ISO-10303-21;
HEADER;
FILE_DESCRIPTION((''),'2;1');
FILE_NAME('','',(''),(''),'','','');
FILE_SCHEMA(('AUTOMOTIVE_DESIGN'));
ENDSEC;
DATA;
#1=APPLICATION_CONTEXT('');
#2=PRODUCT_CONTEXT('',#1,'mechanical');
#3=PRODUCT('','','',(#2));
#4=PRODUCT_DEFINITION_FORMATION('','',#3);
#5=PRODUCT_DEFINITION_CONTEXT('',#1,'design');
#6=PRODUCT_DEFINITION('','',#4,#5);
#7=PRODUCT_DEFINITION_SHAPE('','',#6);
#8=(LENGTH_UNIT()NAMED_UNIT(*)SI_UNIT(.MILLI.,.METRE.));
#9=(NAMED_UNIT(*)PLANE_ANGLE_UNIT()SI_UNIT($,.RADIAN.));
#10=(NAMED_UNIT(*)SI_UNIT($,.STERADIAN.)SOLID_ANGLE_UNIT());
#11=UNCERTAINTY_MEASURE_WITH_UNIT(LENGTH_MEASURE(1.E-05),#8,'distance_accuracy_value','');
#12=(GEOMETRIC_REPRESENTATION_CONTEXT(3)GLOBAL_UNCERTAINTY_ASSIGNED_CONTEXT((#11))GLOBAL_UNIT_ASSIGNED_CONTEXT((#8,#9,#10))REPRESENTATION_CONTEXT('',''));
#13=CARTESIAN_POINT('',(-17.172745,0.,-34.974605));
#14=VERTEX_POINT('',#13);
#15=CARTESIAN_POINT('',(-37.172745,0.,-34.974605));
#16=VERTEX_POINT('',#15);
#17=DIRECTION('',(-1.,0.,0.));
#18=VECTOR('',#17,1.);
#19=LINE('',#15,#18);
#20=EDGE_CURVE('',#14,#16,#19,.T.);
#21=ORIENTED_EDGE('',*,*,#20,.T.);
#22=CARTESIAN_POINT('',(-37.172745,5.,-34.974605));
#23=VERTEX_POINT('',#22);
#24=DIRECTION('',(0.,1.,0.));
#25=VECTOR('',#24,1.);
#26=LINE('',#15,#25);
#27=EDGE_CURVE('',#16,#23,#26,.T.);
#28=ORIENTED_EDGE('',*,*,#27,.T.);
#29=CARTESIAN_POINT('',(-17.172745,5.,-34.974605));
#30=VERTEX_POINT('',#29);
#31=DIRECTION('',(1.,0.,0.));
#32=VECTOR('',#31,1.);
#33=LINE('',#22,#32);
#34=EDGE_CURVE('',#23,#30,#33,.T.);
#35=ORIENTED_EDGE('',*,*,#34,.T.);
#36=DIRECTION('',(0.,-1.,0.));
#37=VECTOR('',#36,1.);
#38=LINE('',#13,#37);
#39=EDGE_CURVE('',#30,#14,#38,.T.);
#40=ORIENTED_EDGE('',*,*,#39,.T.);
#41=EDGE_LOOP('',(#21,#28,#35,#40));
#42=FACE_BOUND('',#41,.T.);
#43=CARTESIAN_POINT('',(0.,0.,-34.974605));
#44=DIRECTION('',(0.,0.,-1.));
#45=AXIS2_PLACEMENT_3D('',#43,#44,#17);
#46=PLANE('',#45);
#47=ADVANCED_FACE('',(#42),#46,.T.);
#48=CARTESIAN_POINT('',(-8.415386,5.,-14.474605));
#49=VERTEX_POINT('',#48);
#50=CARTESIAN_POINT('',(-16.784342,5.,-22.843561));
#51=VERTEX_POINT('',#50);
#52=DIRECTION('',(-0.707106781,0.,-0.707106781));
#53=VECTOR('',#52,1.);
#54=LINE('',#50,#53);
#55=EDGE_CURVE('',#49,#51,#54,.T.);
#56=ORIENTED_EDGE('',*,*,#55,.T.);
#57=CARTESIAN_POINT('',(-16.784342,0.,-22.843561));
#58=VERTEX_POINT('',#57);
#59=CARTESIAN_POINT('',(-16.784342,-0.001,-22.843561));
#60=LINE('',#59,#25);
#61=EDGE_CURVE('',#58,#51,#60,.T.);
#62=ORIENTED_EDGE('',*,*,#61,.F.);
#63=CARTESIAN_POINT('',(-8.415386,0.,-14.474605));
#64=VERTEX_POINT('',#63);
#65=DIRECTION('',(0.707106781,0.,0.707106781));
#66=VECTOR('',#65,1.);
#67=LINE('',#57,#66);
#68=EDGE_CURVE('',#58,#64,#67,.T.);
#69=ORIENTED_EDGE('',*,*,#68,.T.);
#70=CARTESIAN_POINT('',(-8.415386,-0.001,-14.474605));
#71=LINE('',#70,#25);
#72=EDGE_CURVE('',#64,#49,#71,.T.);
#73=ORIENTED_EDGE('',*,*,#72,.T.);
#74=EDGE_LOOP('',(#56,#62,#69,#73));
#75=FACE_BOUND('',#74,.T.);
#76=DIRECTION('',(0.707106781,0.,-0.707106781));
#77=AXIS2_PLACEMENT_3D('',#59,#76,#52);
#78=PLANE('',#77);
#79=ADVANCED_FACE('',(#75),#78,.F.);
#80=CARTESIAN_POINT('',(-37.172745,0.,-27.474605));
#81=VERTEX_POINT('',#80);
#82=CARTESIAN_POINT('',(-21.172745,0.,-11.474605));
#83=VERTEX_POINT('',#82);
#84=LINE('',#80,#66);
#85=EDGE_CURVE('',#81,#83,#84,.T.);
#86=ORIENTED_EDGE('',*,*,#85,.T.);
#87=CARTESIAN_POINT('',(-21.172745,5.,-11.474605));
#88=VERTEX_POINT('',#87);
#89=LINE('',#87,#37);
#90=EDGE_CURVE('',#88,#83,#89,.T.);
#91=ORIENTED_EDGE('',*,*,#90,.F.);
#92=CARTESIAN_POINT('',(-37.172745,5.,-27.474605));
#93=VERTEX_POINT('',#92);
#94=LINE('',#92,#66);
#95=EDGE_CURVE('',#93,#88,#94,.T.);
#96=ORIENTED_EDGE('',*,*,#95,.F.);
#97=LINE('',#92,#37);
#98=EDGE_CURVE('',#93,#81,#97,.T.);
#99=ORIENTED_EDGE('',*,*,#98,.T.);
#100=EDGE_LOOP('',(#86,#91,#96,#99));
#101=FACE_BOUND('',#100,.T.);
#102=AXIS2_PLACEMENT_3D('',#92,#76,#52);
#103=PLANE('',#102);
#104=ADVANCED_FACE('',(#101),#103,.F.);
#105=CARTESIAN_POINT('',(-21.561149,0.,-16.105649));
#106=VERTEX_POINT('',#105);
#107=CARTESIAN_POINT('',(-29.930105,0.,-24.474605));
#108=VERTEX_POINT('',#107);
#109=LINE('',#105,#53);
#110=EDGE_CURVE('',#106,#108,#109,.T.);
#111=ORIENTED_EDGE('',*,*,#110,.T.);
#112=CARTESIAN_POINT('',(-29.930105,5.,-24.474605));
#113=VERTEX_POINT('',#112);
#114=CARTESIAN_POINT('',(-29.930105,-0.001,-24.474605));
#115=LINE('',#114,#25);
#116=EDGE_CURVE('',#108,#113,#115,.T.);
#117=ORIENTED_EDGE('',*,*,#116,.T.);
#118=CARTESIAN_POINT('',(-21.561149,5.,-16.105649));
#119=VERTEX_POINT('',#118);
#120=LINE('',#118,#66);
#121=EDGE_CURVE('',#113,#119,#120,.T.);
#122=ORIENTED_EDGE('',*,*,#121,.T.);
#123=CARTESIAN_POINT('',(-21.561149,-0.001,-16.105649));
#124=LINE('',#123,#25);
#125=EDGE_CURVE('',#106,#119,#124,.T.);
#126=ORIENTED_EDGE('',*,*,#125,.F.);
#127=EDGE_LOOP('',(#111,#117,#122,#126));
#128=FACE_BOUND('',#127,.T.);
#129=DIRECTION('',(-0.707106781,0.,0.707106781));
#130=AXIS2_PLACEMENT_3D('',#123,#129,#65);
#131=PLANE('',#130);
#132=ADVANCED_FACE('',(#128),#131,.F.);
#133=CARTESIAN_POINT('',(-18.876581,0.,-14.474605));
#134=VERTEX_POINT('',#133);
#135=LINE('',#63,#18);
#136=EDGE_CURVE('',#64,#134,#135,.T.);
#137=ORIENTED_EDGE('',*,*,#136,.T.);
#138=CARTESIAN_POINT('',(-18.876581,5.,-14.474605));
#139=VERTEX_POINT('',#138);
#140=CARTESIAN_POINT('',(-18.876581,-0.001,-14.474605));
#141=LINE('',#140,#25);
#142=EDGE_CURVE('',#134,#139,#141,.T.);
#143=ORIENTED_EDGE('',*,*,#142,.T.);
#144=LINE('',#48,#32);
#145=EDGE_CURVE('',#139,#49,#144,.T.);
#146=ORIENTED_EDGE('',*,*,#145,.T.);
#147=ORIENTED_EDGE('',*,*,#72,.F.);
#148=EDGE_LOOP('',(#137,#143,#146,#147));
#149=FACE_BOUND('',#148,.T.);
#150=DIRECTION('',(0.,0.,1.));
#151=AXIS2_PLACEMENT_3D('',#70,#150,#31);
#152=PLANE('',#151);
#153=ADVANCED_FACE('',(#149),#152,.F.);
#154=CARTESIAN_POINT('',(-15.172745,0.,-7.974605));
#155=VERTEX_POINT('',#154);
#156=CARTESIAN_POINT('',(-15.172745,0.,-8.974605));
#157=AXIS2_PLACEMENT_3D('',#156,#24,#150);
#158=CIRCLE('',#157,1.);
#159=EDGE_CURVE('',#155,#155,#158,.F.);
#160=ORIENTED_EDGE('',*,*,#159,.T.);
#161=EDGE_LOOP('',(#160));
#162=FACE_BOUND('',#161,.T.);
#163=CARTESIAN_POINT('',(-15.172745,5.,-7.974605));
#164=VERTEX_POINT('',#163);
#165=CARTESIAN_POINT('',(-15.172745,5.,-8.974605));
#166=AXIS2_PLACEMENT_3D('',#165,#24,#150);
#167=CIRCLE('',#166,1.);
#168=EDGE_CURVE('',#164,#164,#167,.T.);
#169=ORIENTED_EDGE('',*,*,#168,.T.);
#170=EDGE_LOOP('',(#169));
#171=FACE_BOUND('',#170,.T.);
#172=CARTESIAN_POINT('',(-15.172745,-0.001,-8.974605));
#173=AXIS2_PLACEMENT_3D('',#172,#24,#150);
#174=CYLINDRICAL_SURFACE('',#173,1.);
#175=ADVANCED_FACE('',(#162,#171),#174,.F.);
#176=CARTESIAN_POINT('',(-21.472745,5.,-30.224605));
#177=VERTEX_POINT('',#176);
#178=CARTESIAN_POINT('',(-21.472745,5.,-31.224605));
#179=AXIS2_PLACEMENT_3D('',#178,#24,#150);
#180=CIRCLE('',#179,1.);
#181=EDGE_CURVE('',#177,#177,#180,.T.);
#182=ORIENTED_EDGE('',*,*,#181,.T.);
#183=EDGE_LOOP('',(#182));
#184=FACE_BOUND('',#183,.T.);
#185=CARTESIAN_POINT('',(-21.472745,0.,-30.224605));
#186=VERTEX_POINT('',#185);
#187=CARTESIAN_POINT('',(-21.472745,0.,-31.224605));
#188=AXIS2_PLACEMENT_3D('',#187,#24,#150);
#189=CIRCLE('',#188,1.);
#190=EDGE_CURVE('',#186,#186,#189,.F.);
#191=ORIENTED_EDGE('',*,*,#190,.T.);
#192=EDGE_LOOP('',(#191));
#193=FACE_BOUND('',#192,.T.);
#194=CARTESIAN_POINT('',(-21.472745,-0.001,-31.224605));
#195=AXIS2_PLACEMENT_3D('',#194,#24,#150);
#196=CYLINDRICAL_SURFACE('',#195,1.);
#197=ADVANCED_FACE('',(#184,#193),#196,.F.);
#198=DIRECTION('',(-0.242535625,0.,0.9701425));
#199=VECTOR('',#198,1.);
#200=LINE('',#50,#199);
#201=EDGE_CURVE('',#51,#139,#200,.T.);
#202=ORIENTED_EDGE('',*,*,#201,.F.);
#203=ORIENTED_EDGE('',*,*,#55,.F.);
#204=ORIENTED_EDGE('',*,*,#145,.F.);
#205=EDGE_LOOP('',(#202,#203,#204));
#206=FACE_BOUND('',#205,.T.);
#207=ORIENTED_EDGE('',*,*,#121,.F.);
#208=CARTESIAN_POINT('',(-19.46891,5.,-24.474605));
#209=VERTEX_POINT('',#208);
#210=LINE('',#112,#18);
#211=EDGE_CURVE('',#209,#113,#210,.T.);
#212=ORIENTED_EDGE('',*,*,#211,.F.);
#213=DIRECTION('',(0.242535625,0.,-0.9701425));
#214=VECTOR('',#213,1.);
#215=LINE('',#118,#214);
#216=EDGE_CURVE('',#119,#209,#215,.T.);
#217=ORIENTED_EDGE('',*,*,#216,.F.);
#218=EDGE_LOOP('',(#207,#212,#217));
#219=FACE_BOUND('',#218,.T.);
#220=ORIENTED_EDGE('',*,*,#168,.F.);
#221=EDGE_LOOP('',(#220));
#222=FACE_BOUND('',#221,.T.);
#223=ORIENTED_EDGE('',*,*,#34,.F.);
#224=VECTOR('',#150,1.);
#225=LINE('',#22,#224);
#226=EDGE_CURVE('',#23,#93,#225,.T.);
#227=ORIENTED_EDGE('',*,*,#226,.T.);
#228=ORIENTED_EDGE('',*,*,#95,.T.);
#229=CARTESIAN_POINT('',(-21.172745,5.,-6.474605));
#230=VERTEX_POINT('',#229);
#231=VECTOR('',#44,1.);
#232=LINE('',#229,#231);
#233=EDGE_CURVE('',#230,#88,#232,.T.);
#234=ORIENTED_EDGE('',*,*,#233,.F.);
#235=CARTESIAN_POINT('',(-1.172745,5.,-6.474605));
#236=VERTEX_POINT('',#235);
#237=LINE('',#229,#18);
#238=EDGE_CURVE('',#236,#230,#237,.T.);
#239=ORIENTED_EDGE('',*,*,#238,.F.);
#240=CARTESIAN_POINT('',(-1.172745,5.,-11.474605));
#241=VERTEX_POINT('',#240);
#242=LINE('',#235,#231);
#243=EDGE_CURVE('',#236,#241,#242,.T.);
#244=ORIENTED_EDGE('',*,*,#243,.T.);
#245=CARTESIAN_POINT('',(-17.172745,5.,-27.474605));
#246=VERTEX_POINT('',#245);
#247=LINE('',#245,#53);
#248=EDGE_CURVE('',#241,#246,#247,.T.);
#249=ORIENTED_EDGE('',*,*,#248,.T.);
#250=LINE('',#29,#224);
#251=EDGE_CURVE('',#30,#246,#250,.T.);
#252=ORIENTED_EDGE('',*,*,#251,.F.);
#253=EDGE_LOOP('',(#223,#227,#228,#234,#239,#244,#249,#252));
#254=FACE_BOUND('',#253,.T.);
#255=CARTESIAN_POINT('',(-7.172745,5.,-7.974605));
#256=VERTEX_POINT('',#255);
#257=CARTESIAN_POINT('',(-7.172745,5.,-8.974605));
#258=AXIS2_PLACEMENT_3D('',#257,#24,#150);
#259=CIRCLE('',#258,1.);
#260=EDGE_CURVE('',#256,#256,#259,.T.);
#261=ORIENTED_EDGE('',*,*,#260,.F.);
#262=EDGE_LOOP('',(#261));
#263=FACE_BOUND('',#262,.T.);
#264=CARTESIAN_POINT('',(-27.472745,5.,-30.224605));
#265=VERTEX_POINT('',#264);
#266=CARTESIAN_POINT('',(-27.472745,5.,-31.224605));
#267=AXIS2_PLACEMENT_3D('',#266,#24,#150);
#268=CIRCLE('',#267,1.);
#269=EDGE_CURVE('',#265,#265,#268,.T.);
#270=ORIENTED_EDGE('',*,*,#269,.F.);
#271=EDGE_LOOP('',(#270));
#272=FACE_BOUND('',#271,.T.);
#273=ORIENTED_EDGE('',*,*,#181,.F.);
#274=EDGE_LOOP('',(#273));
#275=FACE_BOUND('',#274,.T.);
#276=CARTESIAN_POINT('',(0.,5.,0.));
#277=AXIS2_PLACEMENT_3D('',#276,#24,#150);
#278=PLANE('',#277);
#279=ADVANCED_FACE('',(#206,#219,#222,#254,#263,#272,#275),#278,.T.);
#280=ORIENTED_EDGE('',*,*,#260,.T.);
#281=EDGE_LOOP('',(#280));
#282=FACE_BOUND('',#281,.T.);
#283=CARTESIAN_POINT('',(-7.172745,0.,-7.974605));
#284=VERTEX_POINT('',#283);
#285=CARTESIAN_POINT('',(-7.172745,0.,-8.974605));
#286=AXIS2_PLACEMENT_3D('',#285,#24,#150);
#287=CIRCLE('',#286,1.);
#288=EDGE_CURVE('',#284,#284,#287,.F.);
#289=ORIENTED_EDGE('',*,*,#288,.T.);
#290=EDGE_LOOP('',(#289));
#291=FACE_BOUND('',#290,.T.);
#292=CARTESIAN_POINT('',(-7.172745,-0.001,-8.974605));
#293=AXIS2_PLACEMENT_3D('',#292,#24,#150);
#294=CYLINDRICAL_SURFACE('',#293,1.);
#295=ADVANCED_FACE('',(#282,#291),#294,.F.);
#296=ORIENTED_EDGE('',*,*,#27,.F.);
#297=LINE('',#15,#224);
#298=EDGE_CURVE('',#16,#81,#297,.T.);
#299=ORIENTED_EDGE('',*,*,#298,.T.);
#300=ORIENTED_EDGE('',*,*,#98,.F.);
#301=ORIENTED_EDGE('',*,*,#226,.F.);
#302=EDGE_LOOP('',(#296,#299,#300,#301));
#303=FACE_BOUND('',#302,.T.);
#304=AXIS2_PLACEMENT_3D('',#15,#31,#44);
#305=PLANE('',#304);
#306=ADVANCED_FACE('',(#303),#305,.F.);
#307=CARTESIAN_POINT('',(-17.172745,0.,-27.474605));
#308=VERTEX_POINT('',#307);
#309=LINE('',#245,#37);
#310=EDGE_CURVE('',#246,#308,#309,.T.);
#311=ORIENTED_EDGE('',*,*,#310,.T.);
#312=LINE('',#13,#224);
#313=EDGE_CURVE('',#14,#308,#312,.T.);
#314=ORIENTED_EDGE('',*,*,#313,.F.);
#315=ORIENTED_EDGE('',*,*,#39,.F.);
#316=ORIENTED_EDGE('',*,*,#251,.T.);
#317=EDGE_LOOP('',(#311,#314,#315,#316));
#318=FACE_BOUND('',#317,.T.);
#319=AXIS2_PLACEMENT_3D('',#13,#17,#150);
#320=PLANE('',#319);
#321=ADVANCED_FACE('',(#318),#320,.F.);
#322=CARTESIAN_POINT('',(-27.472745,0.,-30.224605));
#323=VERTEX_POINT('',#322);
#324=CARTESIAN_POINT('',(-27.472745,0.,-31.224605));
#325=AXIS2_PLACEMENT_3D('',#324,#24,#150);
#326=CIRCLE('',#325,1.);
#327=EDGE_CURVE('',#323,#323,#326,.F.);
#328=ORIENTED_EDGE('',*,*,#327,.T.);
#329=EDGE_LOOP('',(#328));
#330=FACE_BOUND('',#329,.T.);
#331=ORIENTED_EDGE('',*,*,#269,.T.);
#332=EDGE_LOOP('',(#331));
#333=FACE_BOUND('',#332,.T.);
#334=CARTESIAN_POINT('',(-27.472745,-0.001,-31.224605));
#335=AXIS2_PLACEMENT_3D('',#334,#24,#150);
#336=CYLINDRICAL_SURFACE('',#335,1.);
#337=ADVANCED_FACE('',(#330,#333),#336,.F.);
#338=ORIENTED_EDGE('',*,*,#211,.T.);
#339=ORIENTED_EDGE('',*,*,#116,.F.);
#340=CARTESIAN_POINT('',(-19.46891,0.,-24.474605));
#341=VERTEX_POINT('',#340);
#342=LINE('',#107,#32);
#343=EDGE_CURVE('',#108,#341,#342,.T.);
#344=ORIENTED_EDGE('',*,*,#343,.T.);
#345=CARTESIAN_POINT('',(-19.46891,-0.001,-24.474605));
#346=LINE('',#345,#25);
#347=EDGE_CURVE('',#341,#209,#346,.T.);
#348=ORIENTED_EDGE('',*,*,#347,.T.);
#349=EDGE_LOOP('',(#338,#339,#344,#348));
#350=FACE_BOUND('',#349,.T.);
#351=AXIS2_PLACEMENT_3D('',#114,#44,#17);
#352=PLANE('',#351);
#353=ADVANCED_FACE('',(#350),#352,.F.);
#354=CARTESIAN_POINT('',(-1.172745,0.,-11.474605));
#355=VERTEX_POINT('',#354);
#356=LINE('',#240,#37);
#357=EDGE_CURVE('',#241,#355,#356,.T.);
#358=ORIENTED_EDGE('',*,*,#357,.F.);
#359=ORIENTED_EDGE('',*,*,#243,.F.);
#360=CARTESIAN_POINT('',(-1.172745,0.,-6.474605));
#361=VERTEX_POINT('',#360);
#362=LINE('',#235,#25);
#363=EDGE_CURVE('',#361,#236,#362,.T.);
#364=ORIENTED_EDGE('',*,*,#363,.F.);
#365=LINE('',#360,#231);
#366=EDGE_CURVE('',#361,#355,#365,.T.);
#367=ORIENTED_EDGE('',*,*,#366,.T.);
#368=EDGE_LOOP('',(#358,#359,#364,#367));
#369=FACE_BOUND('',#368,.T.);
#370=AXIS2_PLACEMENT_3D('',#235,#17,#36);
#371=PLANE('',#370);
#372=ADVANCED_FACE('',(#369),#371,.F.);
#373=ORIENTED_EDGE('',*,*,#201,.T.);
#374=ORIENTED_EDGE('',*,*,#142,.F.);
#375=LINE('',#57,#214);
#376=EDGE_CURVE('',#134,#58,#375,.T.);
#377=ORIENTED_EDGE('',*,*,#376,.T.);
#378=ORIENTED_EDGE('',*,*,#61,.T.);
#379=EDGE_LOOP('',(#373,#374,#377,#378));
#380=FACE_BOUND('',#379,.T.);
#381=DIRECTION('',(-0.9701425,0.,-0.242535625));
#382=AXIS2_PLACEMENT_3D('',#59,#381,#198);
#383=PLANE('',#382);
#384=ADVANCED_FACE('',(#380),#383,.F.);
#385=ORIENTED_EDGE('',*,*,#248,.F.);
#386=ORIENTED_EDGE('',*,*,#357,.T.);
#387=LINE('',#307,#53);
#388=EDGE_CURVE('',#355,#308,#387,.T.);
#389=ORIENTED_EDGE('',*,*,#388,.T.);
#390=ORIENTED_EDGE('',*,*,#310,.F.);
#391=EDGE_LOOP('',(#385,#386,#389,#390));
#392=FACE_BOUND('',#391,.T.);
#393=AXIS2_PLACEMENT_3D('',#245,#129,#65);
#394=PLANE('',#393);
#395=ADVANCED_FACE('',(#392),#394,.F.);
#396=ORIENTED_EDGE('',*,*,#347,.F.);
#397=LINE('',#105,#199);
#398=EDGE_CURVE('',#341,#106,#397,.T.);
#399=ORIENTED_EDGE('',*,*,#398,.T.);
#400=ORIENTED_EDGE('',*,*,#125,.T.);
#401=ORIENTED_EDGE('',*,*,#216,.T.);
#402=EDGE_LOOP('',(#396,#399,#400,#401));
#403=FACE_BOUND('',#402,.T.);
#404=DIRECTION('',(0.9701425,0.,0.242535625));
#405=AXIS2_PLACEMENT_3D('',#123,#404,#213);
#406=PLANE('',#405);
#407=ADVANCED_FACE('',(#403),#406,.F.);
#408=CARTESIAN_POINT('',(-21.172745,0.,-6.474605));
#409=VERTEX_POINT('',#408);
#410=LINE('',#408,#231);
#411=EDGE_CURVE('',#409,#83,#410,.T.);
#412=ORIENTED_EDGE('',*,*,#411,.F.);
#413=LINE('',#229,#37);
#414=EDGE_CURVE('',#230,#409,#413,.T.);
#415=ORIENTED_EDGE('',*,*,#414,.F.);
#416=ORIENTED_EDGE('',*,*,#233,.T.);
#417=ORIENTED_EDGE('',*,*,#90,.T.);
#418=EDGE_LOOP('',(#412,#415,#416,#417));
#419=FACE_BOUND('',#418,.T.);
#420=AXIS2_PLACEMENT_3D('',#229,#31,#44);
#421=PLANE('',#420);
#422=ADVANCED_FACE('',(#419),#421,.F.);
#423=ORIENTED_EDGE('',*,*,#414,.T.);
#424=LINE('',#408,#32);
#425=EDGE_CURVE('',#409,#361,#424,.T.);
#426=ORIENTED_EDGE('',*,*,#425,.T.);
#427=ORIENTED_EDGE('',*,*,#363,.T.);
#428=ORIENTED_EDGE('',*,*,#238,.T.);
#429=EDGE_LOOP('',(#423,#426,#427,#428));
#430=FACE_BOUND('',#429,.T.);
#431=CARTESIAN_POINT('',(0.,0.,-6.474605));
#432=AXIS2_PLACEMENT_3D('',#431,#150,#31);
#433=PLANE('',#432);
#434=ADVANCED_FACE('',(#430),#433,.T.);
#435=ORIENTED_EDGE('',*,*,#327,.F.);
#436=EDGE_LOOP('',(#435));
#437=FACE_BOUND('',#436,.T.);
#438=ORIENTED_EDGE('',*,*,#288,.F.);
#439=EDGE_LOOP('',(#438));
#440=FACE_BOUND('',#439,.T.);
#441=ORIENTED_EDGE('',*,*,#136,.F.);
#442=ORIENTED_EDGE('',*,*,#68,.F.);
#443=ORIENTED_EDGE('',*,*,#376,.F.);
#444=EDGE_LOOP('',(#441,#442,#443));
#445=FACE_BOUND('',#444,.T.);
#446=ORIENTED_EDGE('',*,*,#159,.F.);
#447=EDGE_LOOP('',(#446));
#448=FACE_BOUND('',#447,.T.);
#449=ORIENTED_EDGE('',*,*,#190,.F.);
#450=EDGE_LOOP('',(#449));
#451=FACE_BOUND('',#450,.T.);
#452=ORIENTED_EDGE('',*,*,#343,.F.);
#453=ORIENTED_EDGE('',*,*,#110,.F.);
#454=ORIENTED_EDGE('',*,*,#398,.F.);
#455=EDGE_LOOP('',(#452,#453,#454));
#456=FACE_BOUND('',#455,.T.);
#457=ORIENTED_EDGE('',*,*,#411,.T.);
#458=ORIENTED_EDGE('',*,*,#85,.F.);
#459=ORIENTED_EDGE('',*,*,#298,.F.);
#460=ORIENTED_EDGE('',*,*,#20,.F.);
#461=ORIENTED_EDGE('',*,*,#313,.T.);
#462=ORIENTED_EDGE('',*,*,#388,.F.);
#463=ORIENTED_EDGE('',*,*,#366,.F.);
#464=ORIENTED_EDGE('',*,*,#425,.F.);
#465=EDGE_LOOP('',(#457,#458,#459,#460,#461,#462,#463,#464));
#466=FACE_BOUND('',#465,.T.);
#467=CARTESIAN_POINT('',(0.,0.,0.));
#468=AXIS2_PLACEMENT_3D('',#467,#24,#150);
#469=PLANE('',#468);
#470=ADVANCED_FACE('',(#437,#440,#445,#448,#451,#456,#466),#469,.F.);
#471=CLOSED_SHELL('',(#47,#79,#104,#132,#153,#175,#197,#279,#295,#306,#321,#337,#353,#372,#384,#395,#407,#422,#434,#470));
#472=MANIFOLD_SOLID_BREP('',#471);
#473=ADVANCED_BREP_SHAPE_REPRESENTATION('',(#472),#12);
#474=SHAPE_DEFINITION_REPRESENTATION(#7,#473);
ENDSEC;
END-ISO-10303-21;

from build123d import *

# Parameters (mm, degrees)
BOSS_EXTRUDE1_DEPTH = 5
SKETCH2_W           = 20
SKETCH2_H           = 5
BOSS_EXTRUDE2_DEPTH = 7.5
SKETCH3_W           = 20
SKETCH3_H           = 5
BOSS_EXTRUDE3_DEPTH = 5
CUT_EXTRUDE2_REACH  = 7
CUT_EXTRUDE3_REACH  = 7
SKETCH7_R           = 1
CUT_EXTRUDE4_REACH  = 7
SKETCH8_R           = 1


with BuildPart() as part:
    # Sketch1 → Boss-Extrude1 (new body)
    with BuildSketch(Plane(origin=(0, 0, 0), x_dir=(1, 0, 0), z_dir=(0, 1, 0))):
        Polygon((-37.172745284, 27.474605058), (-17.172745284, 27.474605058), (-1.172745284, 11.474605058), (-21.172745284, 11.474605058), align=None)
    extrude(amount=BOSS_EXTRUDE1_DEPTH)

    # Sketch2 → Boss-Extrude2 (add)
    with BuildSketch(Plane(origin=(0, 0, -27.474605058), x_dir=(-1, 0, 0), z_dir=(0, 0, -1))):
        with Locations((27.172745284, 2.5)):
            Rectangle(SKETCH2_W, SKETCH2_H)
    extrude(amount=BOSS_EXTRUDE2_DEPTH)

    # Sketch3 → Boss-Extrude3 (add)
    with BuildSketch(Plane.XY.offset(-11.474605058)):
        with Locations((-11.172745284, 2.5)):
            Rectangle(SKETCH3_W, SKETCH3_H)
    extrude(amount=BOSS_EXTRUDE3_DEPTH)

    # Sketch5 → Cut-Extrude2 (cut, up to next)
    with BuildSketch(Plane(origin=(0, 5, 0), x_dir=(1, 0, 0), z_dir=(0, 1, 0)), mode=Mode.PRIVATE) as cut_extrude2_sk1:
        Polygon((-16.784341734, 22.843560821), (-8.415385971, 14.474605058), (-18.876580675, 14.474605058), align=None)
    cut_extrude2_tool1 = extrude(cut_extrude2_sk1.sketch, amount=-CUT_EXTRUDE2_REACH, mode=Mode.PRIVATE) & part.part
    add(cut_extrude2_tool1.solids().sort_by_distance((-14.692103, 5, -17.264257))[0], mode=Mode.SUBTRACT)
    # Sketch5 → Cut-Extrude2 (cut, up to next)
    with BuildSketch(Plane(origin=(0, 5, 0), x_dir=(1, 0, 0), z_dir=(0, 1, 0)), mode=Mode.PRIVATE) as cut_extrude2_sk2:
        Polygon((-21.561148834, 16.105649296), (-29.930104597, 24.474605058), (-19.468909894, 24.474605058), align=None)
    cut_extrude2_tool2 = extrude(cut_extrude2_sk2.sketch, amount=-CUT_EXTRUDE2_REACH, mode=Mode.PRIVATE) & part.part
    add(cut_extrude2_tool2.solids().sort_by_distance((-23.653388, 5, -21.684953))[0], mode=Mode.SUBTRACT)

    # Sketch7 → Cut-Extrude3 (cut, up to next)
    with BuildSketch(Plane(origin=(0, 5, 0), x_dir=(1, 0, 0), z_dir=(0, 1, 0)), mode=Mode.PRIVATE) as cut_extrude3_sk1:
        with Locations((-15.172745284, 8.974605058)):
            Circle(SKETCH7_R)
    cut_extrude3_tool1 = extrude(cut_extrude3_sk1.sketch, amount=-CUT_EXTRUDE3_REACH, mode=Mode.PRIVATE) & part.part
    add(cut_extrude3_tool1.solids().sort_by_distance((-15.172745, 5, -8.974605))[0], mode=Mode.SUBTRACT)
    # Sketch7 → Cut-Extrude3 (cut, up to next)
    with BuildSketch(Plane(origin=(0, 5, 0), x_dir=(1, 0, 0), z_dir=(0, 1, 0)), mode=Mode.PRIVATE) as cut_extrude3_sk2:
        with Locations((-7.172745284, 8.974605058)):
            Circle(SKETCH7_R)
    cut_extrude3_tool2 = extrude(cut_extrude3_sk2.sketch, amount=-CUT_EXTRUDE3_REACH, mode=Mode.PRIVATE) & part.part
    add(cut_extrude3_tool2.solids().sort_by_distance((-7.172745, 5, -8.974605))[0], mode=Mode.SUBTRACT)

    # Sketch8 → Cut-Extrude4 (cut, up to next)
    with BuildSketch(Plane(origin=(0, 5, 0), x_dir=(1, 0, 0), z_dir=(0, 1, 0)), mode=Mode.PRIVATE) as cut_extrude4_sk1:
        with Locations((-21.472745284, 31.224605058)):
            Circle(SKETCH8_R)
    cut_extrude4_tool1 = extrude(cut_extrude4_sk1.sketch, amount=-CUT_EXTRUDE4_REACH, mode=Mode.PRIVATE) & part.part
    add(cut_extrude4_tool1.solids().sort_by_distance((-21.472745, 5, -31.224605))[0], mode=Mode.SUBTRACT)
    # Sketch8 → Cut-Extrude4 (cut, up to next)
    with BuildSketch(Plane(origin=(0, 5, 0), x_dir=(1, 0, 0), z_dir=(0, 1, 0)), mode=Mode.PRIVATE) as cut_extrude4_sk2:
        with Locations((-27.472745284, 31.224605058)):
            Circle(SKETCH8_R)
    cut_extrude4_tool2 = extrude(cut_extrude4_sk2.sketch, amount=-CUT_EXTRUDE4_REACH, mode=Mode.PRIVATE) & part.part
    add(cut_extrude4_tool2.solids().sort_by_distance((-27.472745, 5, -31.224605))[0], mode=Mode.SUBTRACT)


solid = part.part
